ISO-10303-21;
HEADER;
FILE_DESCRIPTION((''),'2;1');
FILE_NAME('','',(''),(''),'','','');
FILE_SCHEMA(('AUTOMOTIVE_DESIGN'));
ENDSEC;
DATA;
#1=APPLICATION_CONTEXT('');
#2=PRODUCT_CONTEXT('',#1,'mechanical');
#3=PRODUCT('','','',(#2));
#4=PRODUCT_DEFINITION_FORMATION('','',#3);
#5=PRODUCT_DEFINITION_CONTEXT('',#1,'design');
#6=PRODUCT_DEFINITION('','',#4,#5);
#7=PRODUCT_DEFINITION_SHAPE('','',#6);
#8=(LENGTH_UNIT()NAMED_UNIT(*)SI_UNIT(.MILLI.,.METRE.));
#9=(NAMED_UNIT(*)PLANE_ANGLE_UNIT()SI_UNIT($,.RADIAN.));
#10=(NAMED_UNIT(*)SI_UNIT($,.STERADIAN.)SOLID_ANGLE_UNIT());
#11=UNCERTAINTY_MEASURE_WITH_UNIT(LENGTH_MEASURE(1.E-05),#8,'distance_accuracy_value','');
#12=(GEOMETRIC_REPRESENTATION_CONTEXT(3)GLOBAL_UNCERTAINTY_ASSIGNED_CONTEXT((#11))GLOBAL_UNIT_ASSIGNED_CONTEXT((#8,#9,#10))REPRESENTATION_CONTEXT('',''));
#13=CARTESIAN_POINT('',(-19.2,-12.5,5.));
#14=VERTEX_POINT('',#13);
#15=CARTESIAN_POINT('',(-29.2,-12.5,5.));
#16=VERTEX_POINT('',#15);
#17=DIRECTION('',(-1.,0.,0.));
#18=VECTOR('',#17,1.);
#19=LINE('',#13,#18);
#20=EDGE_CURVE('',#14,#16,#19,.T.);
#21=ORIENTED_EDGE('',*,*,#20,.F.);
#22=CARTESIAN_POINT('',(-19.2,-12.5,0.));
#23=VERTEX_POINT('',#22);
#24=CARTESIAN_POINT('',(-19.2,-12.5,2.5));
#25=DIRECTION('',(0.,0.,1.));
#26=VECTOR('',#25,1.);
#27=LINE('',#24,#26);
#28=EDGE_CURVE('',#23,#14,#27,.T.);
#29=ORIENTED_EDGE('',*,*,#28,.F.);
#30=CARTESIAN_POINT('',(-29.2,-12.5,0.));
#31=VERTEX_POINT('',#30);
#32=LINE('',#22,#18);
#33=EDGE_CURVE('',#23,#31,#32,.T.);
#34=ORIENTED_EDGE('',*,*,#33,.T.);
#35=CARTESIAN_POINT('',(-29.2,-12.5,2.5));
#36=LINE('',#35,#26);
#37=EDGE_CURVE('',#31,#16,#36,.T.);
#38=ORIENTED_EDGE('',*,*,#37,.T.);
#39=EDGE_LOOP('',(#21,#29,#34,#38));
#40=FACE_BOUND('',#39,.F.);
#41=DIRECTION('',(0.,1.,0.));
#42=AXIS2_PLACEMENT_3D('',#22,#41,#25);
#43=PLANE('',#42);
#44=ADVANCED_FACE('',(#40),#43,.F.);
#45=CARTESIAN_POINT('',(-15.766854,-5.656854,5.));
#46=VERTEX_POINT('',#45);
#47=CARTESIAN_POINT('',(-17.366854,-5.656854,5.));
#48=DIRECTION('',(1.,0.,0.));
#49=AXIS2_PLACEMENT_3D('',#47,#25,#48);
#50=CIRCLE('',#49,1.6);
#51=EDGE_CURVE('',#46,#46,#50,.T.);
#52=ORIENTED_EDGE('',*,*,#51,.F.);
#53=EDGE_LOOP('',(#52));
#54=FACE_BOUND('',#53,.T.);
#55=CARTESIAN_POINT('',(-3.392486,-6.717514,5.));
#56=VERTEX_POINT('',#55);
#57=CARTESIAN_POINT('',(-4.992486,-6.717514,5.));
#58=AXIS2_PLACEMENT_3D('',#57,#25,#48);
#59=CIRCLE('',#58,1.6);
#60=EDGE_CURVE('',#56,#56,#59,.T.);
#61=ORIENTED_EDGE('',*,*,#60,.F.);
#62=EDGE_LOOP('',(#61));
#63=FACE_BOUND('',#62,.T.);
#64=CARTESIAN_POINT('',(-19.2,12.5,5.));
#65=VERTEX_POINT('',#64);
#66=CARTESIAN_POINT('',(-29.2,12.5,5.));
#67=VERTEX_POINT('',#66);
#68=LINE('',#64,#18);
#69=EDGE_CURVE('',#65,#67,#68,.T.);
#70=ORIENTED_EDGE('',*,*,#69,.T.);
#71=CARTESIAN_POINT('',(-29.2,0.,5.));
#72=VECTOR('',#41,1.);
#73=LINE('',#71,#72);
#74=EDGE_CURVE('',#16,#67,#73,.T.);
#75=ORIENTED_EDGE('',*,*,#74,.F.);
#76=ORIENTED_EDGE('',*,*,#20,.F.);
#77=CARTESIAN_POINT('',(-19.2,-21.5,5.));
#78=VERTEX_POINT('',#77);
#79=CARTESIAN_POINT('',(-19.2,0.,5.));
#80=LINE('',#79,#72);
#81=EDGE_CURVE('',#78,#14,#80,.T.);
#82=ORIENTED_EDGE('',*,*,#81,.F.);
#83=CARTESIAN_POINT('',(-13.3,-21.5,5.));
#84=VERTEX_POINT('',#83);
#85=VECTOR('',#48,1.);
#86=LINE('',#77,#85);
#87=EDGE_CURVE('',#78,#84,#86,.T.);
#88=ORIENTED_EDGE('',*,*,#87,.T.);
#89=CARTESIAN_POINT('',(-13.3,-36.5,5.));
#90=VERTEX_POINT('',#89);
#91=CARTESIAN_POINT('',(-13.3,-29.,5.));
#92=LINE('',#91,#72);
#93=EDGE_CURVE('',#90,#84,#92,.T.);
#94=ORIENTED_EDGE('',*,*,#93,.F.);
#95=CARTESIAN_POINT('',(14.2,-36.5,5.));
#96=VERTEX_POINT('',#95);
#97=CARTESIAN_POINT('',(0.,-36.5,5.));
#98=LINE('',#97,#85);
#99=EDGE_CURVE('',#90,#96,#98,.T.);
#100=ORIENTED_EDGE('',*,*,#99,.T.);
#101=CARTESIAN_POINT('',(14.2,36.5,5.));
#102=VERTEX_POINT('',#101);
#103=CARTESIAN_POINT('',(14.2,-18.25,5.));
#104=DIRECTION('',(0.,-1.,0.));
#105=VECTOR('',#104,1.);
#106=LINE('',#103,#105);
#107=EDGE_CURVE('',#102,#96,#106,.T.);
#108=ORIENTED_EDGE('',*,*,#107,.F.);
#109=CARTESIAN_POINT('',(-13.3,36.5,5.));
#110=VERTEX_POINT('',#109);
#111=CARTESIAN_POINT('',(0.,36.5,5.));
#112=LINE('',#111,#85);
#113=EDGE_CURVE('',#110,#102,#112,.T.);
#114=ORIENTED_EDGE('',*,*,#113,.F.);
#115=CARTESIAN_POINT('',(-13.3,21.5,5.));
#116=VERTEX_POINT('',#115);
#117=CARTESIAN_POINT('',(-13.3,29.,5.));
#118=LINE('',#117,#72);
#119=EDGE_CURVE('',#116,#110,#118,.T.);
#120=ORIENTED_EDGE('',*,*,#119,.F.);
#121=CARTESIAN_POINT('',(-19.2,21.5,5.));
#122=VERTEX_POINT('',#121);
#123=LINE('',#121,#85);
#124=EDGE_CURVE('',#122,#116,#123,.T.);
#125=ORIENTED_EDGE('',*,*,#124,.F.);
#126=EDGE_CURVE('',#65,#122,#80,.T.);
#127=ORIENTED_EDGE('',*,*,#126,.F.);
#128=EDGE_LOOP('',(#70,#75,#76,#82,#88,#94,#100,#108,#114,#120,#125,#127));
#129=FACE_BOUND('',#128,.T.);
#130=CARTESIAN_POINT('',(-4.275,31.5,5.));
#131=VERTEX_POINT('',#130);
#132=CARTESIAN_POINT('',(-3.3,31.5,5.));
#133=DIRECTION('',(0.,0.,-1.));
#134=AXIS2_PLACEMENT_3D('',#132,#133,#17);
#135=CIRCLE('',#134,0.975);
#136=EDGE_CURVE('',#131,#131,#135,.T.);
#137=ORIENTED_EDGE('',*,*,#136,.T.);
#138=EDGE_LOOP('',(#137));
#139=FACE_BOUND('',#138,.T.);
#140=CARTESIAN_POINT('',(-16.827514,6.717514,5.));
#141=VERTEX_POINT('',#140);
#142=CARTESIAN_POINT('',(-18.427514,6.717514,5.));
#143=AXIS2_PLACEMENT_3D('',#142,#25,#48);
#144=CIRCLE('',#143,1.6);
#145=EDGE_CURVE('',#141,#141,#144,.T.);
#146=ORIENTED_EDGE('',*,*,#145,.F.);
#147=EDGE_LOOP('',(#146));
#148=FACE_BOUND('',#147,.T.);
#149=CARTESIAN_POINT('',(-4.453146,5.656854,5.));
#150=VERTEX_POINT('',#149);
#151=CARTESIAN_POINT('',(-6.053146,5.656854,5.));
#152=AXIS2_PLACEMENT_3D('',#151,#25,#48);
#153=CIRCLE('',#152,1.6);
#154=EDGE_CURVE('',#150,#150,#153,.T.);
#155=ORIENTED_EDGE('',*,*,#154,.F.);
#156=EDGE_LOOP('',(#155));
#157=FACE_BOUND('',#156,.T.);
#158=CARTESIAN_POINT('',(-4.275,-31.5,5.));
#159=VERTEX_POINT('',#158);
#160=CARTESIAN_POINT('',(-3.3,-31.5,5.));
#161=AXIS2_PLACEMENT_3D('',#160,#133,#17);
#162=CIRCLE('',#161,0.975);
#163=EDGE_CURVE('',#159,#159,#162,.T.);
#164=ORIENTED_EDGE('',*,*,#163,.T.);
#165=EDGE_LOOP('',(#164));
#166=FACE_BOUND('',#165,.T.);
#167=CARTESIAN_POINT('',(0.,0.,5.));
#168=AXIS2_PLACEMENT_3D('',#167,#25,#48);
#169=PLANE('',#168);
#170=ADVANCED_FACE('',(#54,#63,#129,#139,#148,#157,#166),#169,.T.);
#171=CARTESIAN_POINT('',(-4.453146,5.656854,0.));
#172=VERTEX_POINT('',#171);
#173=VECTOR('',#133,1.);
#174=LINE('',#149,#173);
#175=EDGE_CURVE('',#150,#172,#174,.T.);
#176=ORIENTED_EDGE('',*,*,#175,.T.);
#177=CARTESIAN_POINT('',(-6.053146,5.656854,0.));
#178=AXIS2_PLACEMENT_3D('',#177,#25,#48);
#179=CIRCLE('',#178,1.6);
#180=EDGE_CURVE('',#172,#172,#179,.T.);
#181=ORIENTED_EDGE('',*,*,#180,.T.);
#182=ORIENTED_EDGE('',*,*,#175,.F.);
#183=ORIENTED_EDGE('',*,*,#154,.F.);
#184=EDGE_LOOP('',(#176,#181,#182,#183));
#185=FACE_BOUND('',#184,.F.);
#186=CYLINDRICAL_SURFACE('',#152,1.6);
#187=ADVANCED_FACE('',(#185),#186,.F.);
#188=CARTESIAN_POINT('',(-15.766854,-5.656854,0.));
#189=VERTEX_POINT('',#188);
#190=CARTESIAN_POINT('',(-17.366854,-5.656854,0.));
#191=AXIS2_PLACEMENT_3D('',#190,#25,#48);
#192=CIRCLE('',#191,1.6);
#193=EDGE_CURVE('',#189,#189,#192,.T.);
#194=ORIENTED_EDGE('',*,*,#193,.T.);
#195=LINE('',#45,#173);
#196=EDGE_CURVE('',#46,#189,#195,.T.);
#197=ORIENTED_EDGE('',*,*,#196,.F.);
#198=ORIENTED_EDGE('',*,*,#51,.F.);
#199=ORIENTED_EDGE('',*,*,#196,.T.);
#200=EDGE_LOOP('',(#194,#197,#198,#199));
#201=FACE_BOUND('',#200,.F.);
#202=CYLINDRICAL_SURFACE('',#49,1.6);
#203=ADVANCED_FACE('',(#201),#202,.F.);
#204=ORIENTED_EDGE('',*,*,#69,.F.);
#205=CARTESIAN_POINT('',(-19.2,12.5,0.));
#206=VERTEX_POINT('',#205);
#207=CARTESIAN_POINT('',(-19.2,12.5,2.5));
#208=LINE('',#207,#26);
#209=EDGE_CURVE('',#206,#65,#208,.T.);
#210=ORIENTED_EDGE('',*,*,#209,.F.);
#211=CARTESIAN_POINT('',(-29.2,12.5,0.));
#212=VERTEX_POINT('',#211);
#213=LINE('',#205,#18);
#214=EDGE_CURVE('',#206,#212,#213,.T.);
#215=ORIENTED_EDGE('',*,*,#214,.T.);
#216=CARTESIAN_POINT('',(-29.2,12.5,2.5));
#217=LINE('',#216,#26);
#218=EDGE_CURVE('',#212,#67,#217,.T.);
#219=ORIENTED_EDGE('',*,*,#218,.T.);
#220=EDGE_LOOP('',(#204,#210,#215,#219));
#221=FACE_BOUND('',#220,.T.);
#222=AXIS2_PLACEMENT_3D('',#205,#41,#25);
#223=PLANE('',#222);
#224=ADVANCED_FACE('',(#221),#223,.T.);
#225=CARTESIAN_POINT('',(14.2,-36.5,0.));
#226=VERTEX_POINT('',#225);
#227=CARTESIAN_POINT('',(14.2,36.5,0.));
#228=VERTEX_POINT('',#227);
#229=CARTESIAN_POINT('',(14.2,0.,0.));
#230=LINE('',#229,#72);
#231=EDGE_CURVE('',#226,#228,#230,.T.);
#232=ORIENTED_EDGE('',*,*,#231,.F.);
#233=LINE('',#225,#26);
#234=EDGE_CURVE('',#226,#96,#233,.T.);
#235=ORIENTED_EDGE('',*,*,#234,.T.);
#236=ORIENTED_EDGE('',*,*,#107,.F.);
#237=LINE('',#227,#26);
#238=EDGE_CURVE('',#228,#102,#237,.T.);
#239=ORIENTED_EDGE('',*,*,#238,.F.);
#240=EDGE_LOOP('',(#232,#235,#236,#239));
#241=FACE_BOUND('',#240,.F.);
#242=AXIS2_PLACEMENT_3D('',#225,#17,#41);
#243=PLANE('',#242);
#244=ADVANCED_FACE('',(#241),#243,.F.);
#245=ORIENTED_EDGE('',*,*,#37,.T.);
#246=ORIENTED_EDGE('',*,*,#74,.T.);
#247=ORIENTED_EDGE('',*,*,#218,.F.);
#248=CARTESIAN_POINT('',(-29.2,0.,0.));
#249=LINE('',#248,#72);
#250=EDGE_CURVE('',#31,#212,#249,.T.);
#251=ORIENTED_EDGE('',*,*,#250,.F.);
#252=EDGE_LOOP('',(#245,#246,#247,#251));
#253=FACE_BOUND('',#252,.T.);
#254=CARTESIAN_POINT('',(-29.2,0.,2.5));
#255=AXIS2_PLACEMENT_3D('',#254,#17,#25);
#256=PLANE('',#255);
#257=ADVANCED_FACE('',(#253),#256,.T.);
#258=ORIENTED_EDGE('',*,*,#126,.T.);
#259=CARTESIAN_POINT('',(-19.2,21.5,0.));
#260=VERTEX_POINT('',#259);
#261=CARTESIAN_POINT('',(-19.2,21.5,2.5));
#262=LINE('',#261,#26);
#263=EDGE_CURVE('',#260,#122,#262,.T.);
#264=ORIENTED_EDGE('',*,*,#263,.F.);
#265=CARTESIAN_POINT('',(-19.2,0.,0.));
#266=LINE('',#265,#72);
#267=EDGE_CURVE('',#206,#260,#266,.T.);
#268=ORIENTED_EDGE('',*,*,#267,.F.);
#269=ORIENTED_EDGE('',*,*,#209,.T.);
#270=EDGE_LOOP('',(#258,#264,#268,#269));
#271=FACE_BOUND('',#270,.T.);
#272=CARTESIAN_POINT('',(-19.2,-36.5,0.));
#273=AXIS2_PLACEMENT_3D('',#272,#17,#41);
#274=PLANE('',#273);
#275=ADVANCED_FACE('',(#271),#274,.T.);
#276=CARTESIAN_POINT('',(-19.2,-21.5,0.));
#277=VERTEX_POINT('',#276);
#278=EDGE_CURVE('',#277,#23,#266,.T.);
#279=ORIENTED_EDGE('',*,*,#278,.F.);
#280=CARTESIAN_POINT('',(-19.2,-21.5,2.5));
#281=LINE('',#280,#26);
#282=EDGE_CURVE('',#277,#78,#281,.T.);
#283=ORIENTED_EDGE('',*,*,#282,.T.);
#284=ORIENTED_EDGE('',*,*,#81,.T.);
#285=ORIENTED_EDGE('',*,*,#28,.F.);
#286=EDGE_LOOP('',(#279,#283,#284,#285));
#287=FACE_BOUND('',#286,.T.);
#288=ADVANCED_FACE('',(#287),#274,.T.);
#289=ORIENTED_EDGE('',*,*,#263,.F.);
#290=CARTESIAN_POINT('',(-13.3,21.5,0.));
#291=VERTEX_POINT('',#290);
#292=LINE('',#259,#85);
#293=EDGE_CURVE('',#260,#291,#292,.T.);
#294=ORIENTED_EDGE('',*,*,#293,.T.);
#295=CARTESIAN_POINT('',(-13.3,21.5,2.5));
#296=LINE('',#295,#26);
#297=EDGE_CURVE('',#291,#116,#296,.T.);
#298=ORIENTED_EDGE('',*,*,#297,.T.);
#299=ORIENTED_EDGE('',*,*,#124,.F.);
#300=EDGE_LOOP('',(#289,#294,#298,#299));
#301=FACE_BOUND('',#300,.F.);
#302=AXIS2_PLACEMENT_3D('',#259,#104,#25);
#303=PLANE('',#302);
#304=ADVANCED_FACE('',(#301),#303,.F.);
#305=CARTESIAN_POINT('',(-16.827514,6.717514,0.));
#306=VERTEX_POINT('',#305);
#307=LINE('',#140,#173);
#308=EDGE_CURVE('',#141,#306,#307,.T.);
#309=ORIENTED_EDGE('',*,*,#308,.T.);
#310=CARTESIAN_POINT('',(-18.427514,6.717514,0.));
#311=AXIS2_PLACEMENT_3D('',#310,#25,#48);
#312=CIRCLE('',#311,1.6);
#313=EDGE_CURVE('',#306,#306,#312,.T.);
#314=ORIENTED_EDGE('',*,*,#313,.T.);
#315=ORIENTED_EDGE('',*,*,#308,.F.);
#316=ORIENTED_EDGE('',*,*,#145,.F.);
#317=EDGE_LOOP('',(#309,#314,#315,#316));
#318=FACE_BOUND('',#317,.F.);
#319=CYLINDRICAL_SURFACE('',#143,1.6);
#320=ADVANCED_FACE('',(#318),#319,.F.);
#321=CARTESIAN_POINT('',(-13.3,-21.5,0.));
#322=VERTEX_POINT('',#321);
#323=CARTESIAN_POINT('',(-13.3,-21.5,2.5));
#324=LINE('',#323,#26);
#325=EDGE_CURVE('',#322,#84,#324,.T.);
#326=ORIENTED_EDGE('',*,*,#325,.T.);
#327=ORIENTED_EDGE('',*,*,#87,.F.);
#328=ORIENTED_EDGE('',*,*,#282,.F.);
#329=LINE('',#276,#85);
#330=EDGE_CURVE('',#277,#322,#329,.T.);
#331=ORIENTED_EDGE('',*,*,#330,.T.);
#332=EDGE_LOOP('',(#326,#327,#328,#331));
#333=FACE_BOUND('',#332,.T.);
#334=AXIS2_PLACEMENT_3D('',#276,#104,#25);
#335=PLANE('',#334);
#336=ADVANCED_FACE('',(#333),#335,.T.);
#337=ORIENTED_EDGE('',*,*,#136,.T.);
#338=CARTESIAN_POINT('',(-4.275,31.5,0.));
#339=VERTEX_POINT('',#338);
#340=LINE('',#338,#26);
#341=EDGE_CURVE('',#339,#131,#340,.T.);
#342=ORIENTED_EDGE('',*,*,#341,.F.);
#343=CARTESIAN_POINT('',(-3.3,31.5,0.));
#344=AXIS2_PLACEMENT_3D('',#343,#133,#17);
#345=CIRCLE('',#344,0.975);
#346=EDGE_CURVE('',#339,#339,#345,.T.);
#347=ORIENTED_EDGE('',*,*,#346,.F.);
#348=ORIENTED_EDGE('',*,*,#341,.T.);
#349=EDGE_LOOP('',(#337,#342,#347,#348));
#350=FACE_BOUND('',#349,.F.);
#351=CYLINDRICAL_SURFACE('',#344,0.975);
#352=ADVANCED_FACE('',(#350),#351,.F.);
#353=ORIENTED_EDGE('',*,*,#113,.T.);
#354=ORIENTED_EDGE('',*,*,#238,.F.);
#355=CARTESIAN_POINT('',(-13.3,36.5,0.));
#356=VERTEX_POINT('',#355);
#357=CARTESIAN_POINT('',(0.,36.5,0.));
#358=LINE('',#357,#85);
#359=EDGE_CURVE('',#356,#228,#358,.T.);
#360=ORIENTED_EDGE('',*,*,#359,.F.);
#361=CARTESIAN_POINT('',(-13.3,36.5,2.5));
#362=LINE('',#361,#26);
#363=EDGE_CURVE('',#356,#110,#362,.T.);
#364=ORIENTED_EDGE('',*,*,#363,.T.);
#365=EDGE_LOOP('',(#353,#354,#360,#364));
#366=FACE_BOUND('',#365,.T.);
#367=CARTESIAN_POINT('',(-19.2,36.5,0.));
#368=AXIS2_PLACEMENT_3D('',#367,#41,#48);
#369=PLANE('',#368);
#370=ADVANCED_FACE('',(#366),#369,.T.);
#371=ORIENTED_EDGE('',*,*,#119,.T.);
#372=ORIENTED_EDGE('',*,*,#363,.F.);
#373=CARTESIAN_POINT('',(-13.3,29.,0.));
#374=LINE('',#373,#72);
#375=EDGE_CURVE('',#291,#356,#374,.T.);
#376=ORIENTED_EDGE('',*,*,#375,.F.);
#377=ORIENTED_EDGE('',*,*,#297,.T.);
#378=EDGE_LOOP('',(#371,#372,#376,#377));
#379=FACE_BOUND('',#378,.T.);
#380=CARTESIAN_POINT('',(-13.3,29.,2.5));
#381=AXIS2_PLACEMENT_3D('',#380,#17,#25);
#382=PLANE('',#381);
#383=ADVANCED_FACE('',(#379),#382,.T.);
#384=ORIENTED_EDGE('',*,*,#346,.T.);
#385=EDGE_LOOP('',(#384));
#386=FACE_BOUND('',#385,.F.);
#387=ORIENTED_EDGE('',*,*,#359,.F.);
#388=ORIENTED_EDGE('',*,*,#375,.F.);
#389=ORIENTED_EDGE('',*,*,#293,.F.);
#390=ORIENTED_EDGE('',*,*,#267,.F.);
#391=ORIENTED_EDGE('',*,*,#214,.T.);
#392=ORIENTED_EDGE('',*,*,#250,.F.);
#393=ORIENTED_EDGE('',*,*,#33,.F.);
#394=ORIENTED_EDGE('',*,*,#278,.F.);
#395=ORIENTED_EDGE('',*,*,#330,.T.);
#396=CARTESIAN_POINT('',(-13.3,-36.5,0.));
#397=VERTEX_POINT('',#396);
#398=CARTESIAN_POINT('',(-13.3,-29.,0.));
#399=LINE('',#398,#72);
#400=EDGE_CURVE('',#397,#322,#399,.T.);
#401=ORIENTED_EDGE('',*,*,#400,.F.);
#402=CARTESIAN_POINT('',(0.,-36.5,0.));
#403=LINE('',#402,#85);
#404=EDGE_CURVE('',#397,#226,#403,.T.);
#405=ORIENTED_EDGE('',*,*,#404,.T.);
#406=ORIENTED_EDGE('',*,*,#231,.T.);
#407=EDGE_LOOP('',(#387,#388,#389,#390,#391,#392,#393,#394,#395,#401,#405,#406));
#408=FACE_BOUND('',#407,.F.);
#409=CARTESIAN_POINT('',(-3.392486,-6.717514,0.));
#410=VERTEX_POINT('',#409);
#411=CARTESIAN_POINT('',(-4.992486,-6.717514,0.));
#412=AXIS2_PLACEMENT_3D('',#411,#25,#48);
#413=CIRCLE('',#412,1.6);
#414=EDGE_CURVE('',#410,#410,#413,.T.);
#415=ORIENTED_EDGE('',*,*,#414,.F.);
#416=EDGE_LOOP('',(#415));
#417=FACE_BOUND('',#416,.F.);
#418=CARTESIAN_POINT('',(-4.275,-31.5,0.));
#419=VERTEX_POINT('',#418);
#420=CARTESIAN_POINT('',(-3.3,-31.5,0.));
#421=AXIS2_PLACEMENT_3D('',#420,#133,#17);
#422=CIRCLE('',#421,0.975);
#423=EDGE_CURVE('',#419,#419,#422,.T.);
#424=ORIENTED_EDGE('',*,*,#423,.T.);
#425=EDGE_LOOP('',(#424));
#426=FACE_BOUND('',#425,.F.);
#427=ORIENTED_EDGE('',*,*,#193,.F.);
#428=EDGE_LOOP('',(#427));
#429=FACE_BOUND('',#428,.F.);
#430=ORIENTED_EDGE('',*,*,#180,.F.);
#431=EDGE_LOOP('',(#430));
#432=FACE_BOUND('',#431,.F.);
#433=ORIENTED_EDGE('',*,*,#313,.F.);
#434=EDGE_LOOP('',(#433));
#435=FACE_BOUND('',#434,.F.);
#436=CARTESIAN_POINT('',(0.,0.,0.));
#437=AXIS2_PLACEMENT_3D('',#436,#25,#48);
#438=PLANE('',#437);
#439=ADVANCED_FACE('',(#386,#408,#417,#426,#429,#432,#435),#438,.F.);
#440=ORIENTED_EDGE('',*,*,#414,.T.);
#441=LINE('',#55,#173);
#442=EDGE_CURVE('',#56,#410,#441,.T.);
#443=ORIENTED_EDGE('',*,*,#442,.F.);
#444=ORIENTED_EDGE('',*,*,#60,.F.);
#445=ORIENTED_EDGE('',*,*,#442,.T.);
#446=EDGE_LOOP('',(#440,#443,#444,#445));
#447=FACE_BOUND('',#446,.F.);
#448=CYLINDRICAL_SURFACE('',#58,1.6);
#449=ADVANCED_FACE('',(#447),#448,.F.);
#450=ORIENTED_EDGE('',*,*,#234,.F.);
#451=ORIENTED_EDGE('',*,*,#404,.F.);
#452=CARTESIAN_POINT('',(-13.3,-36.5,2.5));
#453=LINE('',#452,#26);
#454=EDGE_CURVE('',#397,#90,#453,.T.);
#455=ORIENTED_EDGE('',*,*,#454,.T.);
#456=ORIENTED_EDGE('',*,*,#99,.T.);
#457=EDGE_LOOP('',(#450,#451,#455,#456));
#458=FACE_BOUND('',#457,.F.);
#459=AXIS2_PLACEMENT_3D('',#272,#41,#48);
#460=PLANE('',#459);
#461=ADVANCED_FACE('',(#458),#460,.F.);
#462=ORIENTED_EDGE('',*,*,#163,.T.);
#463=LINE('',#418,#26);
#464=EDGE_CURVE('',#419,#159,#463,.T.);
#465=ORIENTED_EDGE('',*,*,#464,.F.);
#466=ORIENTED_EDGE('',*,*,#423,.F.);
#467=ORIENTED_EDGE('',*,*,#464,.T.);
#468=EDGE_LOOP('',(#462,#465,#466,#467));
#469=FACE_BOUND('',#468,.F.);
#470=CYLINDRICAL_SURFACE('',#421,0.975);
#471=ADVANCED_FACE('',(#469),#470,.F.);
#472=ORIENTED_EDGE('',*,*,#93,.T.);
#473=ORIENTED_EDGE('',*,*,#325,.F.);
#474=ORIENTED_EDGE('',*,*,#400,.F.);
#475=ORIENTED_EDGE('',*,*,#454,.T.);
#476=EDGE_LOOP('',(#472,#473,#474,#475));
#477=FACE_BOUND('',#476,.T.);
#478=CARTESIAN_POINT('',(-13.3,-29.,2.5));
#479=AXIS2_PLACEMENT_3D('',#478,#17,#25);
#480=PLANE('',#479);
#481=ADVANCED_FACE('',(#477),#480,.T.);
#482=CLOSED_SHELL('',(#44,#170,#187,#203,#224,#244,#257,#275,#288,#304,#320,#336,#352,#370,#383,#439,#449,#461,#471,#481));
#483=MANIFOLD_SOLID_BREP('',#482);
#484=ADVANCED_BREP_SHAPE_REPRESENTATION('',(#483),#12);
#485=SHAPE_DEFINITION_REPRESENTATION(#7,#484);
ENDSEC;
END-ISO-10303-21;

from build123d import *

# Parameters (mm, degrees)
SKETCH1_W           = 38.4
SKETCH1_H           = 73
BOSS_EXTRUDE1_DEPTH = 5
SKETCH4_W           = 5
SKETCH4_H           = 25
BOSS_EXTRUDE3_DEPTH = 10
SKETCH5_R           = 1.6
CUT_EXTRUDE1_DEPTH  = 25
SKETCH6_W           = 5
SKETCH6_H           = 15
CUT_EXTRUDE2_DEPTH  = 5.9
SKETCH8_W           = 5
SKETCH8_H           = 73
CUT_EXTRUDE3_DEPTH  = 10
SKETCH9_R           = 0.975
CUT_EXTRUDE4_DEPTH  = 13


with BuildPart() as part:
    # Sketch1 → Boss-Extrude1 (new body)
    with BuildSketch(Plane.XY):
        Rectangle(SKETCH1_W, SKETCH1_H)
    extrude(amount=BOSS_EXTRUDE1_DEPTH)

    # Sketch4 → Boss-Extrude3 (add)
    with BuildSketch(Plane.ZY.offset(19.2)):
        with Locations((2.5, 0)):
            Rectangle(SKETCH4_W, SKETCH4_H)
    extrude(amount=BOSS_EXTRUDE3_DEPTH)

    # Sketch5 → Cut-Extrude1 (cut)
    with BuildSketch(Plane.XY.offset(5)):
        with Locations((-18.427514421, 6.717514421)):
            Circle(SKETCH5_R)
        with Locations((-6.053145751, 5.656854249)):
            Circle(SKETCH5_R)
        with Locations((-17.366854249, -5.656854249)):
            Circle(SKETCH5_R)
        with Locations((-4.992485579, -6.717514421)):
            Circle(SKETCH5_R)
    extrude(amount=-CUT_EXTRUDE1_DEPTH, mode=Mode.SUBTRACT)

    # Sketch6 → Cut-Extrude2 (cut)
    with BuildSketch(Plane.ZY.offset(19.2)):
        with Locations((2.5, 29)):
            Rectangle(SKETCH6_W, SKETCH6_H)
        with Locations((2.5, -29)):
            Rectangle(SKETCH6_W, SKETCH6_H)
    extrude(amount=-CUT_EXTRUDE2_DEPTH, mode=Mode.SUBTRACT)

    # Sketch8 → Cut-Extrude3 (cut)
    with BuildSketch(Plane(origin=(0, 0, 0), x_dir=(-1, 0, 0), z_dir=(0, 0, -1))):
        with Locations((-16.7, 0)):
            Rectangle(SKETCH8_W, SKETCH8_H)
    extrude(amount=-CUT_EXTRUDE3_DEPTH, mode=Mode.SUBTRACT)

    # Sketch9 → Cut-Extrude4 (cut)
    with BuildSketch(Plane(origin=(0, 0, 0), x_dir=(-1, 0, 0), z_dir=(0, 0, -1))):
        with Locations((3.3, 31.5)):
            Circle(SKETCH9_R)
        with Locations((3.3, -31.5)):
            Circle(SKETCH9_R)
    extrude(amount=-CUT_EXTRUDE4_DEPTH, mode=Mode.SUBTRACT)


solid = part.part
